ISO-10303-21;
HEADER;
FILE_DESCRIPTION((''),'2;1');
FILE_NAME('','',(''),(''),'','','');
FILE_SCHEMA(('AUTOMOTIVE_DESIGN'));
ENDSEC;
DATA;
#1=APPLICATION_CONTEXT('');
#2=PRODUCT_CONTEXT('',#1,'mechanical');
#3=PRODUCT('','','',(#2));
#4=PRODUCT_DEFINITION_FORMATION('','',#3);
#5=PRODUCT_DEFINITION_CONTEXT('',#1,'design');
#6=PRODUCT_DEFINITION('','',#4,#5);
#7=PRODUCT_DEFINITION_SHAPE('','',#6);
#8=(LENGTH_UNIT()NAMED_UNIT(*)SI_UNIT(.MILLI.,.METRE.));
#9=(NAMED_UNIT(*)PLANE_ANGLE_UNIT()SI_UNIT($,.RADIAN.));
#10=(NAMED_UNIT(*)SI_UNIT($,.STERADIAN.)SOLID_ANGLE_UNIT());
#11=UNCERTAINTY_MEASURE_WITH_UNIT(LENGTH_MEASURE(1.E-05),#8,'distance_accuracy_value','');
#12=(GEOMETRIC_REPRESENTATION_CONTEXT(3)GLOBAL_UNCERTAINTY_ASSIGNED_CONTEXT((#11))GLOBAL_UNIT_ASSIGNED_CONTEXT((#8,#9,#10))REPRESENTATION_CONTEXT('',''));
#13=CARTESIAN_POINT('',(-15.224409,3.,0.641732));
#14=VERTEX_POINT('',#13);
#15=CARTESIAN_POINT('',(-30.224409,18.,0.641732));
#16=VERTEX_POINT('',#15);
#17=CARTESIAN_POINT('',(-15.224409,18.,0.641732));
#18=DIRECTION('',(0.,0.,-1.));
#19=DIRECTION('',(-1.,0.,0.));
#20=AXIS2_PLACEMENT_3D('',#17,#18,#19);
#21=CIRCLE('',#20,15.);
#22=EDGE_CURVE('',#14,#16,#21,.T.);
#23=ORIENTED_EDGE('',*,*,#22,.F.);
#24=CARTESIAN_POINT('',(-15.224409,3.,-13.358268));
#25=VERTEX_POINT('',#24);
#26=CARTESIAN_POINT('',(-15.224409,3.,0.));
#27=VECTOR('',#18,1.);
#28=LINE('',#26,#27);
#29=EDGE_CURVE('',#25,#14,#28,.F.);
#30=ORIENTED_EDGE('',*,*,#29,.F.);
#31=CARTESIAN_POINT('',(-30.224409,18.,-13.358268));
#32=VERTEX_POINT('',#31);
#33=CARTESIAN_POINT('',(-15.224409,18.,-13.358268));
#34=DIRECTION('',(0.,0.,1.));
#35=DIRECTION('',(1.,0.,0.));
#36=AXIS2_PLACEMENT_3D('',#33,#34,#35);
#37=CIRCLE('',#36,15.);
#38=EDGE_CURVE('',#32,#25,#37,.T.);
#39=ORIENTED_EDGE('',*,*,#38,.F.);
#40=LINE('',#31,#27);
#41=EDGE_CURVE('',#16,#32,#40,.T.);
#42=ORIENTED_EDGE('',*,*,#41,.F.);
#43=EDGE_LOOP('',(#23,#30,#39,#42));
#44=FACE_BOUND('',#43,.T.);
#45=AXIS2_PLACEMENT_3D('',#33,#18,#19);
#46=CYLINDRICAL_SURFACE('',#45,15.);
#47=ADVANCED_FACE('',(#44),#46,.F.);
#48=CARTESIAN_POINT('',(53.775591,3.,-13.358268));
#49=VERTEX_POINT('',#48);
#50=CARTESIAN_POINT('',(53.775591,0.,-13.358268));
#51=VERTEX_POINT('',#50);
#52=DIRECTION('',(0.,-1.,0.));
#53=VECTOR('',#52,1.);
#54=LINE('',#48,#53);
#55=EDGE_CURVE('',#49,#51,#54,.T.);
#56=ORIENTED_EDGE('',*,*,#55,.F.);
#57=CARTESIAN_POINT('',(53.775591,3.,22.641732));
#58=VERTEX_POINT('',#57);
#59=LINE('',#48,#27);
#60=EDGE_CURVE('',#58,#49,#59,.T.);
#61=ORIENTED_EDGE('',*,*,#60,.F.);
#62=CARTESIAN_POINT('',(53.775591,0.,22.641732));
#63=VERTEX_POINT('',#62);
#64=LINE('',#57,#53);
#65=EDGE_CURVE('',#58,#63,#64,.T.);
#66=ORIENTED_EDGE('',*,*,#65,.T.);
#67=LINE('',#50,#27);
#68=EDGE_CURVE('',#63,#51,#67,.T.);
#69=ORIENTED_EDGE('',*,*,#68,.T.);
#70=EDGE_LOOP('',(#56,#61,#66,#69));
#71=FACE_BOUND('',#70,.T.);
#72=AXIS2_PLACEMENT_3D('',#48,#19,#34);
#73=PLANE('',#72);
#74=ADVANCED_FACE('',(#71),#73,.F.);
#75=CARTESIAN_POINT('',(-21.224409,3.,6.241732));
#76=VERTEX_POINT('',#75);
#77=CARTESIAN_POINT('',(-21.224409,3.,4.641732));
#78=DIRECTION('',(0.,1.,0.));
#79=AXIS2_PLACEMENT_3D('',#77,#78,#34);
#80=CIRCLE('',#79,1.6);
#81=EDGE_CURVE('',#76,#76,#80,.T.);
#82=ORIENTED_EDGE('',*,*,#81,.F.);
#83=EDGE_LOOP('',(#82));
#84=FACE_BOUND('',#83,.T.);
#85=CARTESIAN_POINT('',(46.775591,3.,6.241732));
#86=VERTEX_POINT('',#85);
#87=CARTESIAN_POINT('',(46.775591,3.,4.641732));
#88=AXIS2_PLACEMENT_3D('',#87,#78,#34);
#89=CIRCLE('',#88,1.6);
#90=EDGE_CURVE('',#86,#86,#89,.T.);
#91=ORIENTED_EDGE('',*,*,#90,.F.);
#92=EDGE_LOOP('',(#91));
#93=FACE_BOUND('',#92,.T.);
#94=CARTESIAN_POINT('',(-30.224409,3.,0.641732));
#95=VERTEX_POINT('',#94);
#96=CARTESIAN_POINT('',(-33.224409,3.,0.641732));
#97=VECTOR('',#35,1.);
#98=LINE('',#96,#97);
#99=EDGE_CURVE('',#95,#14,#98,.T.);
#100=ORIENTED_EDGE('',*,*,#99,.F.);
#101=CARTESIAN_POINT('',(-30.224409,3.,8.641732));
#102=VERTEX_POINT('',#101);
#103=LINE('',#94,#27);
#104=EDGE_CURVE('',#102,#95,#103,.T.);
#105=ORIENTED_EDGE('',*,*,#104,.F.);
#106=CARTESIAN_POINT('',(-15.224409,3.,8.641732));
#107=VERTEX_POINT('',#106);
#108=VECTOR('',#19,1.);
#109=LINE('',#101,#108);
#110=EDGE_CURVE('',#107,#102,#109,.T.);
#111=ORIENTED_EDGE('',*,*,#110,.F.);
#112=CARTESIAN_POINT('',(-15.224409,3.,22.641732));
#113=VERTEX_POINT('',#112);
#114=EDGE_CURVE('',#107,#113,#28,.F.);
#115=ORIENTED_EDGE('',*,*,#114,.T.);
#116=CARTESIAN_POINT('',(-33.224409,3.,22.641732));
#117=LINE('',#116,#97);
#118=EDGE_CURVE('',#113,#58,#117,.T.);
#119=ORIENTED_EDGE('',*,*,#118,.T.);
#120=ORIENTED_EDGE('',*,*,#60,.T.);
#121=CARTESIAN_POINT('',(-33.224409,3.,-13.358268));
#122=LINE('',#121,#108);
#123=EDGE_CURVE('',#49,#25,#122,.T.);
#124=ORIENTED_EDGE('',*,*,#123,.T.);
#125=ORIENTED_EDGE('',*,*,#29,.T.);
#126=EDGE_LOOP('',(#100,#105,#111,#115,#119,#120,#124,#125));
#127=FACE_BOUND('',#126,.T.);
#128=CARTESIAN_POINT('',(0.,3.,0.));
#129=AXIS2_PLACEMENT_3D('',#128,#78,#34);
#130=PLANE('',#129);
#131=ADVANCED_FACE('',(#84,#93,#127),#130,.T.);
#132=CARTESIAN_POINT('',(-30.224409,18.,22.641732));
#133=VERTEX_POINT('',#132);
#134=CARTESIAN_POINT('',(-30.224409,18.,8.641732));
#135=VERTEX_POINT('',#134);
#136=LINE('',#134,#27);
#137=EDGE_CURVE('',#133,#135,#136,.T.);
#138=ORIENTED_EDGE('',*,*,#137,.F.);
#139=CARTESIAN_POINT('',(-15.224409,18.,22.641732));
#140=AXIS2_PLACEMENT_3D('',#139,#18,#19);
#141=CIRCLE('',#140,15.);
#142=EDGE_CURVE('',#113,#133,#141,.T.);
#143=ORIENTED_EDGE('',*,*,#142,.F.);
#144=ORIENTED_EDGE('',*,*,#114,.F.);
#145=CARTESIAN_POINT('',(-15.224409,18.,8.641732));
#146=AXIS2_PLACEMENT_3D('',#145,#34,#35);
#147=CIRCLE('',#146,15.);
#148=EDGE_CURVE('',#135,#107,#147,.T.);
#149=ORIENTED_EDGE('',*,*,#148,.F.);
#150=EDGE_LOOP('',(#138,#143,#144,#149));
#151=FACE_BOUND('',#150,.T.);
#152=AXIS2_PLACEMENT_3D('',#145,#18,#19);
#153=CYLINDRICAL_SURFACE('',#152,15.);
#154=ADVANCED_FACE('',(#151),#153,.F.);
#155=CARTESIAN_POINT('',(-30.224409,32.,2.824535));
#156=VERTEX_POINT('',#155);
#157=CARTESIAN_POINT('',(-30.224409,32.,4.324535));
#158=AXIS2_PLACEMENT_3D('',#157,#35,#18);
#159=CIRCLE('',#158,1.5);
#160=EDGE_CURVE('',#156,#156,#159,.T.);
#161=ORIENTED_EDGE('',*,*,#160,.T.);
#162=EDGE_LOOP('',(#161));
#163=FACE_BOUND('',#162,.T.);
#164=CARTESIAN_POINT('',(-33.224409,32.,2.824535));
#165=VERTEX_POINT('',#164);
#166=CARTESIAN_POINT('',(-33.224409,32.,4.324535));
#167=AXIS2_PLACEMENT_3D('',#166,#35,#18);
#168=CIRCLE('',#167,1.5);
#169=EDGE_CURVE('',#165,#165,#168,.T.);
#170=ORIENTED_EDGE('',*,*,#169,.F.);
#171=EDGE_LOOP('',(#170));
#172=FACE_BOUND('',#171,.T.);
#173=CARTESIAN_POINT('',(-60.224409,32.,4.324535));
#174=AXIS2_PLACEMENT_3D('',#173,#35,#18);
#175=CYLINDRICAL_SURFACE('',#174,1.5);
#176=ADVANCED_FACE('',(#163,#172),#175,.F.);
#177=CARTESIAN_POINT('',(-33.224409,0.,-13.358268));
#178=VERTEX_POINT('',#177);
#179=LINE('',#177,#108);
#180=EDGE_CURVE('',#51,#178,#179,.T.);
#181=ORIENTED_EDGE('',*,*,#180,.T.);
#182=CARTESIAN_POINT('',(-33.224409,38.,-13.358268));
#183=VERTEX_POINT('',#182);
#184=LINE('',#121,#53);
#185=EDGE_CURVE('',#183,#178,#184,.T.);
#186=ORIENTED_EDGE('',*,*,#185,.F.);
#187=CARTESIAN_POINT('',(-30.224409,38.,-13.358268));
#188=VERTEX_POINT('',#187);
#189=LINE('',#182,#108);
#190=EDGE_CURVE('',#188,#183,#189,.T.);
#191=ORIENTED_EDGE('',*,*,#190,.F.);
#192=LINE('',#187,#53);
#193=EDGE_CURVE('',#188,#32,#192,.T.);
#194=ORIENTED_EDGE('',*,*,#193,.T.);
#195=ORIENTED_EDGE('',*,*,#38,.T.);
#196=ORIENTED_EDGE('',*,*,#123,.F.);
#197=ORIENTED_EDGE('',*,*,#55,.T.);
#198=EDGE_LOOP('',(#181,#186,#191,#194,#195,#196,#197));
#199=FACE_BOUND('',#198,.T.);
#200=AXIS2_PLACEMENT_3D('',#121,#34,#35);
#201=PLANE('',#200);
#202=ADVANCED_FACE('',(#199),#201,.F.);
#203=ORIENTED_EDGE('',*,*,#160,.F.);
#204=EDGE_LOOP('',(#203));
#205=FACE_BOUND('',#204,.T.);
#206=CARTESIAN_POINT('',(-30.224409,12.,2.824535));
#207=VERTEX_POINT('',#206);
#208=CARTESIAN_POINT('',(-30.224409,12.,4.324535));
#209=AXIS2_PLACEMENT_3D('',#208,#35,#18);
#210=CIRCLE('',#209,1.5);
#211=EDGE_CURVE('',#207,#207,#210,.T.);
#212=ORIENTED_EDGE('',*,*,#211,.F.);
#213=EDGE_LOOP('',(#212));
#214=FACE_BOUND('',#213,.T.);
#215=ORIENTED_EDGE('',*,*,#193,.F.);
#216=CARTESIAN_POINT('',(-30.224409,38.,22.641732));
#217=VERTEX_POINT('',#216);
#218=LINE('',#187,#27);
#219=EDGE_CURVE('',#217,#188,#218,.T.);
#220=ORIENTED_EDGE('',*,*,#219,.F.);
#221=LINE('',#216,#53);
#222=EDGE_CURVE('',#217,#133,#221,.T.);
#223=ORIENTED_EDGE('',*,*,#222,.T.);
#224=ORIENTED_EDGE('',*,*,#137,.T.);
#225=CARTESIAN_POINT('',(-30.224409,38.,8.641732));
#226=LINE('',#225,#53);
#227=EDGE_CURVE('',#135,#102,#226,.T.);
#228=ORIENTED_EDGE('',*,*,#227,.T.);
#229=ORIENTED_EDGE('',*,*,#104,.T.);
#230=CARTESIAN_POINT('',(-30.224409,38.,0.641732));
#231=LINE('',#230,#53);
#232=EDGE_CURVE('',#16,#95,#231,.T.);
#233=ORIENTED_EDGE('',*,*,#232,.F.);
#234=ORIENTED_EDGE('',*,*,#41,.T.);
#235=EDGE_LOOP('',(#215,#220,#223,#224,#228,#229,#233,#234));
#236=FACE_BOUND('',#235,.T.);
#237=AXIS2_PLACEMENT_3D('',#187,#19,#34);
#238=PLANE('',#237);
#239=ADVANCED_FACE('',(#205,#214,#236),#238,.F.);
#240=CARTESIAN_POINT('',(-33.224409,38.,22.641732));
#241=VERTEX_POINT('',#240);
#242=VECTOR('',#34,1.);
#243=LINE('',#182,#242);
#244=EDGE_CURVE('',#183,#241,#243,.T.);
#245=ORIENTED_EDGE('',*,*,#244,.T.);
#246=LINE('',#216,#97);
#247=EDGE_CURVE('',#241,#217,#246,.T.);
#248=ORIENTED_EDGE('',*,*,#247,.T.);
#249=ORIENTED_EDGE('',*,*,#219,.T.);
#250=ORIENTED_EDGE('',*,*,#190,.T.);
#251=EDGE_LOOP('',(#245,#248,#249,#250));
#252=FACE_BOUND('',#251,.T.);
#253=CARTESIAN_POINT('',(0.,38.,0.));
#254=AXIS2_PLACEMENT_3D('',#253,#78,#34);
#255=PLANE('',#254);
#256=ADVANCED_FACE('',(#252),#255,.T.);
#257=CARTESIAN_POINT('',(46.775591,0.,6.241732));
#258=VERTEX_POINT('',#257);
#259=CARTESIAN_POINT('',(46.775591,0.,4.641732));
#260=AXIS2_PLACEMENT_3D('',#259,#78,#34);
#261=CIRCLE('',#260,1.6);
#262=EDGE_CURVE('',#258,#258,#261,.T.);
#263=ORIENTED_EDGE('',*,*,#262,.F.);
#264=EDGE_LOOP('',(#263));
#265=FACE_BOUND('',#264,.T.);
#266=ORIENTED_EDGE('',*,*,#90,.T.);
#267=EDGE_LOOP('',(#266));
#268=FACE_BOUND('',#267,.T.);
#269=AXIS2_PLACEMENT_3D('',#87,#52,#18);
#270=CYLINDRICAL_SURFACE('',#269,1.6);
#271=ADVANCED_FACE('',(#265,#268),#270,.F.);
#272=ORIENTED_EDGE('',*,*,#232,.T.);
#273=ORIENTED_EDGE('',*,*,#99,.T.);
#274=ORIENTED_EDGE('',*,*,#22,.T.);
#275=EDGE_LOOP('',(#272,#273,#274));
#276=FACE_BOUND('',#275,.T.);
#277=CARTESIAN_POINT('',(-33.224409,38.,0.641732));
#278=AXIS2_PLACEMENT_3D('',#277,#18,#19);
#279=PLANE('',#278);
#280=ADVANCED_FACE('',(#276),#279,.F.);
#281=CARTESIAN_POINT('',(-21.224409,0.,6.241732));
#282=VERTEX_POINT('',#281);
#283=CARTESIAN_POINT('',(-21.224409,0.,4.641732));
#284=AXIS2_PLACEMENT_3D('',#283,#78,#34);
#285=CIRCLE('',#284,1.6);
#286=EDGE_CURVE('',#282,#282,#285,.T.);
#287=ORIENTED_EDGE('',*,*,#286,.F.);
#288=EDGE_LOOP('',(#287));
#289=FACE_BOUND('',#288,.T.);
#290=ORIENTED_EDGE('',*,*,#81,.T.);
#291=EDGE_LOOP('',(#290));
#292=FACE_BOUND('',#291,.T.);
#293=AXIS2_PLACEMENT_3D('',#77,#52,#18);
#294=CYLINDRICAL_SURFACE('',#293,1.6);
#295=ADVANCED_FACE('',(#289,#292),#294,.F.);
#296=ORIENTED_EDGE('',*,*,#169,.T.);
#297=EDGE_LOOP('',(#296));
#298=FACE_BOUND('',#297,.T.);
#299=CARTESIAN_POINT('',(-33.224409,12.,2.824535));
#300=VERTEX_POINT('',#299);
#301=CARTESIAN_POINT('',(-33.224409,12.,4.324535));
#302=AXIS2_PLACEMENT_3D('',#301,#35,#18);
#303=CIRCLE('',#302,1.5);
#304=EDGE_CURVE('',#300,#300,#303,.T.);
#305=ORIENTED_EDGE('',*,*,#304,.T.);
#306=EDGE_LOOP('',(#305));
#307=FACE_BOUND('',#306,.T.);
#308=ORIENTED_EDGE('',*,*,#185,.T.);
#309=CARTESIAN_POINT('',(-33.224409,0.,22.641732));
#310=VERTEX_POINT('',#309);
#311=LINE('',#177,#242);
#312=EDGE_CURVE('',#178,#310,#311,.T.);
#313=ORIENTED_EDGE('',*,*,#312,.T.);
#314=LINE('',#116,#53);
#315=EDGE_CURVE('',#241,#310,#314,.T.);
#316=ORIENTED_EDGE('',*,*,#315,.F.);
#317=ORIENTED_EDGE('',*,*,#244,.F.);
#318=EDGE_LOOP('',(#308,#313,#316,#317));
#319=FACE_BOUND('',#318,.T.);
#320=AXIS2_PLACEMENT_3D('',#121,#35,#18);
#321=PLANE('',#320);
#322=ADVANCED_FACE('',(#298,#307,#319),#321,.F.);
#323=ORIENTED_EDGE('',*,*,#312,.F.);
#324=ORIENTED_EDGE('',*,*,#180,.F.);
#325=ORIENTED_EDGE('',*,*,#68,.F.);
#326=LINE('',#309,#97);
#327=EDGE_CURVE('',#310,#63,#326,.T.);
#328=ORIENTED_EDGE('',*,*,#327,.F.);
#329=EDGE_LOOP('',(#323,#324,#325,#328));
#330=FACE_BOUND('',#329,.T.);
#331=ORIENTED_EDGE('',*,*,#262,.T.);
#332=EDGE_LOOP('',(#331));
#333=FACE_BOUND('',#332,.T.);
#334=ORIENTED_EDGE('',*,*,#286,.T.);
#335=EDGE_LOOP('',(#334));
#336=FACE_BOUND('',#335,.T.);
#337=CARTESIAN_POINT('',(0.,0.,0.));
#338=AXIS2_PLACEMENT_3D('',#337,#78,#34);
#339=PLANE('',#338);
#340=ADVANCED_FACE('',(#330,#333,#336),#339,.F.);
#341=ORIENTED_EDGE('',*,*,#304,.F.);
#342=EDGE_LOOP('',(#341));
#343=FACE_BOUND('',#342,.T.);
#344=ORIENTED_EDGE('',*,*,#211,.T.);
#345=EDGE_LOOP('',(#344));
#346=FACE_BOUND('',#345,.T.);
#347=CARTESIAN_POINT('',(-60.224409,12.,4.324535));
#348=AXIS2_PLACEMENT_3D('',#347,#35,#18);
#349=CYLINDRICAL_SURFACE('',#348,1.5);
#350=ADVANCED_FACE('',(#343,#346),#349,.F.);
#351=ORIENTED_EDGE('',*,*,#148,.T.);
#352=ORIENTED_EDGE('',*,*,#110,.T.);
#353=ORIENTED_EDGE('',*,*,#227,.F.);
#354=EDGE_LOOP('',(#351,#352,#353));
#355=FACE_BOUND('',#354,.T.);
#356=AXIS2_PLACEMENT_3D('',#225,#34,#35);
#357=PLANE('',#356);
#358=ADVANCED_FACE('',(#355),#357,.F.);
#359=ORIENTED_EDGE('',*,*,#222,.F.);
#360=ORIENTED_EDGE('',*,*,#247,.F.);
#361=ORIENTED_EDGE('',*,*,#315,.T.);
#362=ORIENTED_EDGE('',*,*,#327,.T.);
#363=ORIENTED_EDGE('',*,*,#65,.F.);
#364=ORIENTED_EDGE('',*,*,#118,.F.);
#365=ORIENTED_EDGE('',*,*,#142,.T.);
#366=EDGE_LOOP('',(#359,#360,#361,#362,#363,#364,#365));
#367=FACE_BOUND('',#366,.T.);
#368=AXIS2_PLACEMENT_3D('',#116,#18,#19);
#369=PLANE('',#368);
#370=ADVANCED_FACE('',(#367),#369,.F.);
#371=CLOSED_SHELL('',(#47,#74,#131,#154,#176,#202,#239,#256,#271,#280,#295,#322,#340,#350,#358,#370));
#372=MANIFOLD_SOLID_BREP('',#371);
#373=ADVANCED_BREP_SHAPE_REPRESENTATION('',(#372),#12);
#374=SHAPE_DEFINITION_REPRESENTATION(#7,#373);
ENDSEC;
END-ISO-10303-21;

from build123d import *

# Parameters (mm, degrees)
SKETCH1_W           = 87
SKETCH1_H           = 36
SKETCH1_R           = 1.6
BOSS_EXTRUDE1_DEPTH = 3
SKETCH2_W           = 3
SKETCH2_H           = 14
BOSS_EXTRUDE2_DEPTH = 35
FILLET2_R           = 15
SKETCH3_W           = 3
SKETCH3_H           = 8
BOSS_EXTRUDE3_DEPTH = 35
SKETCH4_R           = 1.5
CUT_EXTRUDE1_DEPTH  = 30


with BuildPart() as part:
    # Sketch1 → Boss-Extrude1 (new body)
    with BuildSketch(Plane(origin=(0, 0, 0), x_dir=(1, 0, 0), z_dir=(0, 1, 0))):
        with Locations((10.275590551, -4.641732283)):
            Rectangle(SKETCH1_W, SKETCH1_H)
        with Locations((46.775590551, -4.641732283)):
            Circle(SKETCH1_R, mode=Mode.SUBTRACT)
        with Locations((-21.224409449, -4.641732283)):
            Circle(SKETCH1_R, mode=Mode.SUBTRACT)
    extrude(amount=BOSS_EXTRUDE1_DEPTH)

    # Sketch2 → Boss-Extrude2 (add)
    with BuildSketch(Plane(origin=(0, 3, 0), x_dir=(1, 0, 0), z_dir=(0, 1, 0))):
        with Locations((-31.724409449, 6.358267717)):
            Rectangle(SKETCH2_W, SKETCH2_H)
        with Locations((-31.724409449, -15.641732283)):
            Rectangle(SKETCH2_W, SKETCH2_H)
    extrude(amount=BOSS_EXTRUDE2_DEPTH)

    # Fillet2
    fillet2_edges = [part.edges().sort_by_distance(p)[0] for p in [
        (-30.224409449, 3, -6.358267717),
        (-30.224409449, 3, 15.641732283),
    ]]
    fillet(fillet2_edges, radius=FILLET2_R)

    # Sketch3 → Boss-Extrude3 (add)
    with BuildSketch(Plane(origin=(0, 3, 0), x_dir=(1, 0, 0), z_dir=(0, 1, 0))):
        with Locations((-31.724409449, -4.641732283)):
            Rectangle(SKETCH3_W, SKETCH3_H)
    extrude(amount=BOSS_EXTRUDE3_DEPTH)

    # Sketch4 → Cut-Extrude1 (cut)
    with BuildSketch(Plane(origin=(-30.224409449, 0, 0), x_dir=(0, 0, -1), z_dir=(1, 0, 0))):
        with Locations((-4.324534662, 32)):
            Circle(SKETCH4_R)
        with Locations((-4.324534662, 12)):
            Circle(SKETCH4_R)
    extrude(amount=-CUT_EXTRUDE1_DEPTH, mode=Mode.SUBTRACT)


solid = part.part
